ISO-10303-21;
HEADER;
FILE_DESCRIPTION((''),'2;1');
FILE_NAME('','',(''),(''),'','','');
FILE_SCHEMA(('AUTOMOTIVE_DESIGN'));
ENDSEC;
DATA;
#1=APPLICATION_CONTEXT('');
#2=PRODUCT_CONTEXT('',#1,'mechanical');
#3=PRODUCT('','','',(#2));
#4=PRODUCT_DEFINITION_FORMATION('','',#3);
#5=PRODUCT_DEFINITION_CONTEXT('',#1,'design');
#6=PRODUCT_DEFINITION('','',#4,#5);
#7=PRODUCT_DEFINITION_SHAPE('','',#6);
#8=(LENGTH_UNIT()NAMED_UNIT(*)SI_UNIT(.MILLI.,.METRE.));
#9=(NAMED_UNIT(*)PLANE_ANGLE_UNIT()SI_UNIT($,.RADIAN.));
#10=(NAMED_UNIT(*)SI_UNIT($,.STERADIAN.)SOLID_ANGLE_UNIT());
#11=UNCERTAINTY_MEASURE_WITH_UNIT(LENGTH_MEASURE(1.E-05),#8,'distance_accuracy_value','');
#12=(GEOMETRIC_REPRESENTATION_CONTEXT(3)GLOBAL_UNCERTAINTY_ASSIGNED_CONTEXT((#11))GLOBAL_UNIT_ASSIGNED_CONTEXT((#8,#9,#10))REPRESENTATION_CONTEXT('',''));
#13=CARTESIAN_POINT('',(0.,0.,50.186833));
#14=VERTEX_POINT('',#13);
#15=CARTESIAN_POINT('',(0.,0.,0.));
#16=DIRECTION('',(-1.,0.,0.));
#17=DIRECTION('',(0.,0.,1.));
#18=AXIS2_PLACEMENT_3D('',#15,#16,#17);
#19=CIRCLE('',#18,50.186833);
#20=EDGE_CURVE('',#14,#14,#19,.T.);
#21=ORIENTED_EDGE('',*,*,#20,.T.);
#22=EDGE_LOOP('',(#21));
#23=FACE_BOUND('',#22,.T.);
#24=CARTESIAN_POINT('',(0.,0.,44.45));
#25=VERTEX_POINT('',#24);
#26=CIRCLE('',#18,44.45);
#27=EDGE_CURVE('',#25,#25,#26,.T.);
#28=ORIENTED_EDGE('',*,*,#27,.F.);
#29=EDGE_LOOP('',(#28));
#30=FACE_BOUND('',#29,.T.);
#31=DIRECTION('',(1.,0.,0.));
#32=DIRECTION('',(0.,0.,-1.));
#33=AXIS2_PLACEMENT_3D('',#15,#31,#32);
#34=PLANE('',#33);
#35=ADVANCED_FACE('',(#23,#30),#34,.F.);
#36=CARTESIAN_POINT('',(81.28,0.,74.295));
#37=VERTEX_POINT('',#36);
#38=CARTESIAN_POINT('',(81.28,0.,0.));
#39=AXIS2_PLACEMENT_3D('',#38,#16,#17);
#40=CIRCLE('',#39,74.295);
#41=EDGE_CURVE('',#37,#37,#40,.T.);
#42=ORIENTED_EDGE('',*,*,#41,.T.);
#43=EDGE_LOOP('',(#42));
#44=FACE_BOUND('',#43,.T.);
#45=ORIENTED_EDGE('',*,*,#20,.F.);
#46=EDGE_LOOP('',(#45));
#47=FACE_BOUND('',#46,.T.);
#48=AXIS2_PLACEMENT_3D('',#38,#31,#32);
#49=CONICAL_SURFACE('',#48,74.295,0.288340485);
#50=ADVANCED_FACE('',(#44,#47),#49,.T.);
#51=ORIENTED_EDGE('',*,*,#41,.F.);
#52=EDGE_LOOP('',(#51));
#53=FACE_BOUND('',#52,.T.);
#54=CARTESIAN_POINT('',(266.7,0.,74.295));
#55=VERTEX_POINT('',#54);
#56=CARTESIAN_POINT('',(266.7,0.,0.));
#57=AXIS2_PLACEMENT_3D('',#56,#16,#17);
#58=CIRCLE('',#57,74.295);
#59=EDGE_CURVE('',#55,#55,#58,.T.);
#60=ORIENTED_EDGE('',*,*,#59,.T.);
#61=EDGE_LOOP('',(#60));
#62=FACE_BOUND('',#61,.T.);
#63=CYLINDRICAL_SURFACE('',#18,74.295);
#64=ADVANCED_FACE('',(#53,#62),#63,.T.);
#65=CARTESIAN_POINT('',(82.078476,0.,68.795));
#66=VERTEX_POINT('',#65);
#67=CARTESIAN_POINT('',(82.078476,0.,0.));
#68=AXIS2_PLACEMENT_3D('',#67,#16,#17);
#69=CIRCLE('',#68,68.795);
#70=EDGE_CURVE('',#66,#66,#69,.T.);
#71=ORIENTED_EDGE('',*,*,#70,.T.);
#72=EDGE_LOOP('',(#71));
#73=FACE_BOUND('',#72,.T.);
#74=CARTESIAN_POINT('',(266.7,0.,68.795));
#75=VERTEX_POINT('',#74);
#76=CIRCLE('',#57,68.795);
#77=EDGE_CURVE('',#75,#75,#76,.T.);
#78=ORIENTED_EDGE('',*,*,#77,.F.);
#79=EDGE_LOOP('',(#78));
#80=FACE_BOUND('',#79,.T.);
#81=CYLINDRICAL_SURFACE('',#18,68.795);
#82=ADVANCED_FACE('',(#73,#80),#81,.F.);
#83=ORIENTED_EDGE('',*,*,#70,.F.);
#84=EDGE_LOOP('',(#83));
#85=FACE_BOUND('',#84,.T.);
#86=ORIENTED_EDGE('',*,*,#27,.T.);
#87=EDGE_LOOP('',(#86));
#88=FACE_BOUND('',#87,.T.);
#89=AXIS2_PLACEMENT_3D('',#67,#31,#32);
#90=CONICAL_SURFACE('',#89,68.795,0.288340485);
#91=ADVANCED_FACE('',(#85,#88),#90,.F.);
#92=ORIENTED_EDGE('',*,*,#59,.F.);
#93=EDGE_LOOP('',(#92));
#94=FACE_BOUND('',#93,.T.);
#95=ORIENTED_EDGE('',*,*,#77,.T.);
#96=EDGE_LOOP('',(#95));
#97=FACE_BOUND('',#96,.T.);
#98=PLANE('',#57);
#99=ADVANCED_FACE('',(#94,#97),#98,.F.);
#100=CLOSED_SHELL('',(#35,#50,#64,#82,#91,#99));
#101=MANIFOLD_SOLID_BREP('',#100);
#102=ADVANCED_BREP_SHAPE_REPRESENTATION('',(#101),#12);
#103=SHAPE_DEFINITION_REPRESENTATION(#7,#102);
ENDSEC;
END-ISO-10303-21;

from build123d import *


with BuildPart() as part:
    # Sketch1 → Revolve1 (revolve)
    with BuildSketch(Plane.XY):
        Polygon((239.01, 68.795), (266.7, 68.795), (266.7, 74.295), (239.01, 74.295), (81.28, 74.295), (0, 50.18683312), (0, 44.45), (82.078476138, 68.795), align=None)
    revolve(axis=Axis((0, 0, 0), (1, 0, 0)))


solid = part.part
